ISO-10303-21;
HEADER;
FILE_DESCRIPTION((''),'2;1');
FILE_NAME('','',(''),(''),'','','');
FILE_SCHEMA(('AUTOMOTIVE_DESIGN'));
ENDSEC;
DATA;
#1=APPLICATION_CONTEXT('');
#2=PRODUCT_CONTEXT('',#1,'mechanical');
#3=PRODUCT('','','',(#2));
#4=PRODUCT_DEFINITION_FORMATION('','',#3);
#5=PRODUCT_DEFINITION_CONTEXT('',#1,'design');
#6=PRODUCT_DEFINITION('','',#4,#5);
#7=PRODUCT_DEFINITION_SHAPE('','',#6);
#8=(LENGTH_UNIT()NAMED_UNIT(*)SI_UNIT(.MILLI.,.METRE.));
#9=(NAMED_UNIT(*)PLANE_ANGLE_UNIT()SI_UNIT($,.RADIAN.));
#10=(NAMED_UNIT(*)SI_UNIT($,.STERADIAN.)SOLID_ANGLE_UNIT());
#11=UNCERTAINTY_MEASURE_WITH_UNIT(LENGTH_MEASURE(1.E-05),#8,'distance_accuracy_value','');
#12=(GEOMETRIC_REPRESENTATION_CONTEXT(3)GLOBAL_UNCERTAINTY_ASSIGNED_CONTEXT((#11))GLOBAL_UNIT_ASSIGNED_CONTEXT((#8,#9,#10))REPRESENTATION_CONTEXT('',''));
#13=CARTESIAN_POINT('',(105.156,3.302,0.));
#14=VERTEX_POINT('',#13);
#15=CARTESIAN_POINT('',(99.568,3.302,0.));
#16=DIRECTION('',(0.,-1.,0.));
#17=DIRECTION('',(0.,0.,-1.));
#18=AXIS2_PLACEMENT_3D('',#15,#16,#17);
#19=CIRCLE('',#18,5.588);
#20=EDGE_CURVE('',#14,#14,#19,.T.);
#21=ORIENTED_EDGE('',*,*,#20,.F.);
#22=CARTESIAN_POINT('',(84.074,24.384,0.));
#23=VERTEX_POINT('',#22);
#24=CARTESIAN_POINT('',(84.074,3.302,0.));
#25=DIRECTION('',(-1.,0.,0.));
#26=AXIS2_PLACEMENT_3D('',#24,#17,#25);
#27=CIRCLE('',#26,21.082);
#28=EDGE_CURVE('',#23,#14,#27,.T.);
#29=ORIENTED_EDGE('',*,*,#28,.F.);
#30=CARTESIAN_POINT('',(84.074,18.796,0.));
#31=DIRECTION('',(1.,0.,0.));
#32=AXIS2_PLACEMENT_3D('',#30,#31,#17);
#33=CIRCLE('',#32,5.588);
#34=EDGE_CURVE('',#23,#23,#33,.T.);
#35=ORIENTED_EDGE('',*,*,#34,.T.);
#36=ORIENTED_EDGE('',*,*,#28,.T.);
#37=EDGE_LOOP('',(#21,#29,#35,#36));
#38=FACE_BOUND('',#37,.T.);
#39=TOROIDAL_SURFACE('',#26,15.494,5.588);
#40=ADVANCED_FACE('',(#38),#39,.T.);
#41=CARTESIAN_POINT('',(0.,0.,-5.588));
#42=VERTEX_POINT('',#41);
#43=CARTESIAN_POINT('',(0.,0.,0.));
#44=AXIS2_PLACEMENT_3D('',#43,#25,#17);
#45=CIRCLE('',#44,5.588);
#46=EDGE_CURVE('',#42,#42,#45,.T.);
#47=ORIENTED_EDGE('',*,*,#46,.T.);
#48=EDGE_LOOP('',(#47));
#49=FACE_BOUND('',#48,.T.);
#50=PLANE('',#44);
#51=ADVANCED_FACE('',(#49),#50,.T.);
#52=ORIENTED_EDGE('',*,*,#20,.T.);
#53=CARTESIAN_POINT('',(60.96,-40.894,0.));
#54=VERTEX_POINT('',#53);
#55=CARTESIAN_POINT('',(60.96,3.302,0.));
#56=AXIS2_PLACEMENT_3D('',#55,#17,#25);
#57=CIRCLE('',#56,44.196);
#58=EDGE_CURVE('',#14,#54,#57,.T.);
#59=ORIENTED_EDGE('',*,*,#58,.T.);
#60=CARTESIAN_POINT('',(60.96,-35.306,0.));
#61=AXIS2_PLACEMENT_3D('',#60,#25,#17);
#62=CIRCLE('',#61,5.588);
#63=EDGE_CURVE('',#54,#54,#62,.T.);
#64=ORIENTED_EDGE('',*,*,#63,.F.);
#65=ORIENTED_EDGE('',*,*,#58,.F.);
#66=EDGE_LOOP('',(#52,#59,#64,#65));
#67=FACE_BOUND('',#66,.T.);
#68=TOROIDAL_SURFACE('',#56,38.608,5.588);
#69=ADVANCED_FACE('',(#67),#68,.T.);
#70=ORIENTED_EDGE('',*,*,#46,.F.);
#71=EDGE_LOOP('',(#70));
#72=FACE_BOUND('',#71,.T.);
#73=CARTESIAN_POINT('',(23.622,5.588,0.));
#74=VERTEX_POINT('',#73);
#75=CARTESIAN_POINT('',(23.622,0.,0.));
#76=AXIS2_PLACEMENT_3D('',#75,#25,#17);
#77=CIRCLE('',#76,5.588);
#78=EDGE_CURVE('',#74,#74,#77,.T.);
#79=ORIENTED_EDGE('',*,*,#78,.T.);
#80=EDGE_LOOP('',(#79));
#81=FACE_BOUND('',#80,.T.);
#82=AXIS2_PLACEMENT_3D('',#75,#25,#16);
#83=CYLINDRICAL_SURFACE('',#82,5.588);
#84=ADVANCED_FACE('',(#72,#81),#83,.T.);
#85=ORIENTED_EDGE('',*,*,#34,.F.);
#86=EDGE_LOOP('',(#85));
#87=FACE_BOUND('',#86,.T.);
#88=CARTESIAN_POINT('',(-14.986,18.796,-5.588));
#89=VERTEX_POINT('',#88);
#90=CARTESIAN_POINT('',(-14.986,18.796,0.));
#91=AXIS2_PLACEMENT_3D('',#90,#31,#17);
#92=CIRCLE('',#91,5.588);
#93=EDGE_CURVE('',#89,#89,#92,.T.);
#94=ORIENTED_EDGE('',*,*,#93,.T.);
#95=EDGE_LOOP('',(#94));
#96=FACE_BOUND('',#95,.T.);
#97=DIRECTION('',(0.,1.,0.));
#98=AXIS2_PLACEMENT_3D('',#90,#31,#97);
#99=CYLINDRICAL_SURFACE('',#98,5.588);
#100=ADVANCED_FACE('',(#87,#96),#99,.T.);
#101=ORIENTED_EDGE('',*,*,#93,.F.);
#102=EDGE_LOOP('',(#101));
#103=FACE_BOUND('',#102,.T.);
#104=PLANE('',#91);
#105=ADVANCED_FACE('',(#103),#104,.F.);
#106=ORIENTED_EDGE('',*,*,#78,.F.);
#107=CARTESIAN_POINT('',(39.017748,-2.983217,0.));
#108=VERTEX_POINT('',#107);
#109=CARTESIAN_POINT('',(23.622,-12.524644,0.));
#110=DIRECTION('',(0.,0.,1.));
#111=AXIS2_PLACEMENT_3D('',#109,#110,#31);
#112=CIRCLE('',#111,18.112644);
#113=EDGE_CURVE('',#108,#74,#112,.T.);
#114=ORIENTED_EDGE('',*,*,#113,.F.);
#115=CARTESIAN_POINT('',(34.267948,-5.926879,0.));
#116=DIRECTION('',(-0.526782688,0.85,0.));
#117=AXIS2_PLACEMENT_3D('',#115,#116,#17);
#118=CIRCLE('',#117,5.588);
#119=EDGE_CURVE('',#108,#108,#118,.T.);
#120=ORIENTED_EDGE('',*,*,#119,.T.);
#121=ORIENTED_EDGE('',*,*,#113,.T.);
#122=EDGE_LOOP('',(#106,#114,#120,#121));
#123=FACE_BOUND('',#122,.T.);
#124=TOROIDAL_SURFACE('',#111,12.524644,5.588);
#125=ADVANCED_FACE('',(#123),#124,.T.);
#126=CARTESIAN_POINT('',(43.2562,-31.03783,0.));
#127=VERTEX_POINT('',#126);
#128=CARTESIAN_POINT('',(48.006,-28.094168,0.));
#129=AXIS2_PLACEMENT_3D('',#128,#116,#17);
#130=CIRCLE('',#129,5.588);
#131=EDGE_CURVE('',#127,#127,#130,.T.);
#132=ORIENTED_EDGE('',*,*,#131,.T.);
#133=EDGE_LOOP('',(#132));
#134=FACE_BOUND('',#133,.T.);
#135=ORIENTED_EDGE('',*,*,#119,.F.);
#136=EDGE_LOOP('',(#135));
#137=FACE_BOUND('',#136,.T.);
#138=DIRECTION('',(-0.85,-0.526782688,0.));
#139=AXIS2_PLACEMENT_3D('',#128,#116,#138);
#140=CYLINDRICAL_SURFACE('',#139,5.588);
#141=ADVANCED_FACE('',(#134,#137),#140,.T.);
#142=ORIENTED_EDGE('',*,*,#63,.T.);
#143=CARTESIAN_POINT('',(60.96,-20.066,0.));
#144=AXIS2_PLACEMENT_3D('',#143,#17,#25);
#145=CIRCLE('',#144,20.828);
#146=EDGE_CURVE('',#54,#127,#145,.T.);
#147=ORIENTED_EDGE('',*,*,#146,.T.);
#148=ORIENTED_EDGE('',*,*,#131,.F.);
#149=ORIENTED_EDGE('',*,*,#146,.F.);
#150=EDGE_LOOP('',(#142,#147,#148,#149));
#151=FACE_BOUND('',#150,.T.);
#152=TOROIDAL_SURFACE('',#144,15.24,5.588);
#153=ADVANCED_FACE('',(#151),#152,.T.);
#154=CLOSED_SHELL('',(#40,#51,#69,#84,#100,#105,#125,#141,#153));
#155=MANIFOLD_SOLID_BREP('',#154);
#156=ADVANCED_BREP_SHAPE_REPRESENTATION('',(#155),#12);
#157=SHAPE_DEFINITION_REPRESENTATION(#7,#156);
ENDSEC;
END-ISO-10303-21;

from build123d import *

# Parameters (mm, degrees)
SKETCH3_R = 5.588


with BuildPart() as part:
    # Sweep1: sweep along a path in Sketch2
    with BuildLine(Plane.XY) as sweep1_path:
        Line((-14.986, 18.796), (84.074, 18.796))
        ThreePointArc((84.074, 18.796), (95.029912468, 14.257912468), (99.568, 3.302))
        ThreePointArc((99.568, 3.302), (88.259978608, -23.997978608), (60.96, -35.306))
        ThreePointArc((60.96, -35.306), (53.546892782, -33.381533837), (48.006, -28.09416816))
        Line((48.006, -28.09416816), (34.267947791, -5.92687859))
        ThreePointArc((34.267947791, -5.92687859), (29.714292142, -1.581578377), (23.622, 0))
        Line((23.622, 0), (0, 0))
    # Sketch3 → Sweep1 (sweep)
    with BuildSketch(Plane(origin=(-14.986, 0, 0), x_dir=(0, 0, -1), z_dir=(1, 0, 0))):
        with Locations((0, 18.796)):
            Circle(SKETCH3_R)
    sweep(path=sweep1_path.line)


solid = part.part
